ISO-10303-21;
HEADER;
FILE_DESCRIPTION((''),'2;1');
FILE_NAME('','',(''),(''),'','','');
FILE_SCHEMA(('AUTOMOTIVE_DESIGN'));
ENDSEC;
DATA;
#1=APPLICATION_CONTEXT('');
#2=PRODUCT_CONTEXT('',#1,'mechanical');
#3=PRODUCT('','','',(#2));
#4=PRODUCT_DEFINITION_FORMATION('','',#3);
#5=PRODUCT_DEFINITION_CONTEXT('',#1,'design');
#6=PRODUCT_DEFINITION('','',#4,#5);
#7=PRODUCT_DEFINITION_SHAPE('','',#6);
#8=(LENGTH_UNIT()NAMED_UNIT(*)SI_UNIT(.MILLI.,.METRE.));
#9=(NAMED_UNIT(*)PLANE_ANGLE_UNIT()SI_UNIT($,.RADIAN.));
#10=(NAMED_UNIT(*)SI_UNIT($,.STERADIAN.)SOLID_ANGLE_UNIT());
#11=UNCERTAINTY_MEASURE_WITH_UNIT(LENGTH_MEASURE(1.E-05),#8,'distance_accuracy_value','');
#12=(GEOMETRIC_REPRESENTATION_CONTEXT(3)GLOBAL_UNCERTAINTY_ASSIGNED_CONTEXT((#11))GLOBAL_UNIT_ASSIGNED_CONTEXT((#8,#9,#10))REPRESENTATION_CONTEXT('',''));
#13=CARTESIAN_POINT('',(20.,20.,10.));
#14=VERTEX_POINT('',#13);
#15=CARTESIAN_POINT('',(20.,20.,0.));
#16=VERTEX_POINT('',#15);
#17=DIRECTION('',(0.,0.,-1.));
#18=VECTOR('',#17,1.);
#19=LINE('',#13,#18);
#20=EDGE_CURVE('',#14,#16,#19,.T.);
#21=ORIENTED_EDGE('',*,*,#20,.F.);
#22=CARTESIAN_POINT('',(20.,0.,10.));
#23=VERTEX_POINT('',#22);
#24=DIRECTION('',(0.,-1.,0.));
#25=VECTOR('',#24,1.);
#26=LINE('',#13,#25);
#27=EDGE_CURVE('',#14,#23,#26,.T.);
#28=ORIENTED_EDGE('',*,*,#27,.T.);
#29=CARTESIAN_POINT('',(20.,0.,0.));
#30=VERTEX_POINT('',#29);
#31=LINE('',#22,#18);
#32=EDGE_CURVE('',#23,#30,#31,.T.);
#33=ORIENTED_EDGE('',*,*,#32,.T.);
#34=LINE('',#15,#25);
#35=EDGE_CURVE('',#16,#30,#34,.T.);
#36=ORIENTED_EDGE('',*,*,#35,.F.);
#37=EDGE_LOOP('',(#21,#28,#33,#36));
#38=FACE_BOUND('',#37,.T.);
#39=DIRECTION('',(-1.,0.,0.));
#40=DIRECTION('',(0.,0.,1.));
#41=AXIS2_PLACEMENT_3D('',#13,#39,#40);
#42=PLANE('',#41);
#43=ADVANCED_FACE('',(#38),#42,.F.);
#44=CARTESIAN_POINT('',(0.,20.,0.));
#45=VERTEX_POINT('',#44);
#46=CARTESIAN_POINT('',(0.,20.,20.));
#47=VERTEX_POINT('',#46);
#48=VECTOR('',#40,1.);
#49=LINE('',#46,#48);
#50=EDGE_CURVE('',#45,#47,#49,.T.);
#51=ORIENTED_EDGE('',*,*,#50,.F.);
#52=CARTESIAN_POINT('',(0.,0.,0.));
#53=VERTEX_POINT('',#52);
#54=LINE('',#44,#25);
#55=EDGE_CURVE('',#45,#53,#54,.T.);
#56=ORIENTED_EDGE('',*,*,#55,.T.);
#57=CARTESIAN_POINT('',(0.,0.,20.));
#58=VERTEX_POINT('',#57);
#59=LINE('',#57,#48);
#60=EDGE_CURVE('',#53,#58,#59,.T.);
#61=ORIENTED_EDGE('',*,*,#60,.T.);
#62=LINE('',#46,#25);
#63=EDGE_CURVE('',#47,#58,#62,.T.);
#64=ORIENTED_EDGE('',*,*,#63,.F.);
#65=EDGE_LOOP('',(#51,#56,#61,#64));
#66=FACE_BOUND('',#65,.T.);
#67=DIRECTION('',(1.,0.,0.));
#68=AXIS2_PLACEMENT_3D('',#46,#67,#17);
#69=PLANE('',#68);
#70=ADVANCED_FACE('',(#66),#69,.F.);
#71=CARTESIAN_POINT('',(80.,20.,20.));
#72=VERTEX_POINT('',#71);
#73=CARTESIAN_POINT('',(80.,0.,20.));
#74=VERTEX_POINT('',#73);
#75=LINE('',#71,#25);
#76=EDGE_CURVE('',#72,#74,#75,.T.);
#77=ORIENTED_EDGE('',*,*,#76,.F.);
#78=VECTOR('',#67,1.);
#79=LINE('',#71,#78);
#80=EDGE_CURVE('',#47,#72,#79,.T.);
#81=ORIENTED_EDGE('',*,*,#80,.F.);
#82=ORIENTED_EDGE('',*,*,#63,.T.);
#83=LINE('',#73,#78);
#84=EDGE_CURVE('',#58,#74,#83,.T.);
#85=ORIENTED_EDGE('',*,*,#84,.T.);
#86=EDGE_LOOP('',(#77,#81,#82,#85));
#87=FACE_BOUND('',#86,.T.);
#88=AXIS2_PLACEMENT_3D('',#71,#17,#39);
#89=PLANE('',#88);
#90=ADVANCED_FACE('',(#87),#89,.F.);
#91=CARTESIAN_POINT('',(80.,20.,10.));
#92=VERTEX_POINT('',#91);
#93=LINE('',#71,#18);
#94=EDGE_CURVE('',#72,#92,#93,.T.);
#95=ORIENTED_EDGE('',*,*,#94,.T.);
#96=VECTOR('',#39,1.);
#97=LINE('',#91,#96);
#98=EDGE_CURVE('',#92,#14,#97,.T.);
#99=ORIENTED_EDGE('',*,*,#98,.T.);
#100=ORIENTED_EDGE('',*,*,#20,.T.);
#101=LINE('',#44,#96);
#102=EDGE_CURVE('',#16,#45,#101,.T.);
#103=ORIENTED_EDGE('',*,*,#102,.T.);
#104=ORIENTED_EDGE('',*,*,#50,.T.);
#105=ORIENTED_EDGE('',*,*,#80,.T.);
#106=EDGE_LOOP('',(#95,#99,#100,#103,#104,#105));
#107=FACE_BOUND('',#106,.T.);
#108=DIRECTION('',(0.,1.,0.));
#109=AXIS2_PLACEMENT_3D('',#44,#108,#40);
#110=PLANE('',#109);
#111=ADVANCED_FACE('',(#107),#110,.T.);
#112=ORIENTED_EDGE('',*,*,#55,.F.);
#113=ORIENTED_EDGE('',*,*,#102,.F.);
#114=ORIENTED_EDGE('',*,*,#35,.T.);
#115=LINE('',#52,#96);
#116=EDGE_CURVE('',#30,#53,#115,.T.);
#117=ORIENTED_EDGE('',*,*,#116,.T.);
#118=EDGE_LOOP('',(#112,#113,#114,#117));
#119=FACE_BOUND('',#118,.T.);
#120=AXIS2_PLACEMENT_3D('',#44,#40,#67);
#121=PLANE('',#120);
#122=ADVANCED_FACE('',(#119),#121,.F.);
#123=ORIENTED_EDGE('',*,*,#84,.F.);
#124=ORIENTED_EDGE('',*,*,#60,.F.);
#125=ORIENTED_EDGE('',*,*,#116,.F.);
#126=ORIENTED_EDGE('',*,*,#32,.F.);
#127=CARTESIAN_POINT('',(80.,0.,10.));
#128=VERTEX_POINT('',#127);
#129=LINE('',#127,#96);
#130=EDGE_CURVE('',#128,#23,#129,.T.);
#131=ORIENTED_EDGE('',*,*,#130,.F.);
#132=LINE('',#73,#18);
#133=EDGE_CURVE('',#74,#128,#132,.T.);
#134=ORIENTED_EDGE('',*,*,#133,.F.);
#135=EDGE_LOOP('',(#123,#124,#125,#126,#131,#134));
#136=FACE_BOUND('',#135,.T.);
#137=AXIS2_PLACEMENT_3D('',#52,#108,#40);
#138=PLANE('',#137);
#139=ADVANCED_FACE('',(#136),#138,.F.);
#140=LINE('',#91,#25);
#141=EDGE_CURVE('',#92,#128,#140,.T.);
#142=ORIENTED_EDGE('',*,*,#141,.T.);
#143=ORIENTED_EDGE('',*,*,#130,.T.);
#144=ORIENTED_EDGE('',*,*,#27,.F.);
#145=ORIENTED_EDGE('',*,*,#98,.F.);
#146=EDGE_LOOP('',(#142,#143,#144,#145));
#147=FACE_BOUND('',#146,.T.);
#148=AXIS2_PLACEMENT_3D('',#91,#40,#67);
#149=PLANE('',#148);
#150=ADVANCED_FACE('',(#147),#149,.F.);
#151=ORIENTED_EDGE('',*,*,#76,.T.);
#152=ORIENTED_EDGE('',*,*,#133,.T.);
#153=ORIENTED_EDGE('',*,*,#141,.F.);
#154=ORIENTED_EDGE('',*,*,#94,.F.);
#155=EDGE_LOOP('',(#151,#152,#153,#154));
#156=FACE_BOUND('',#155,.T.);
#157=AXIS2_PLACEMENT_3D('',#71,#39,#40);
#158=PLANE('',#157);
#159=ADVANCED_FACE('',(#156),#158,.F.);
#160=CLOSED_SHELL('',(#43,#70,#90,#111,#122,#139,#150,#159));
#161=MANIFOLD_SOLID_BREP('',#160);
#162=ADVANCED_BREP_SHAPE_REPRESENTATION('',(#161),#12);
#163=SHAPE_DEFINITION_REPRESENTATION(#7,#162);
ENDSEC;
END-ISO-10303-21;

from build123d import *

# Parameters (mm, degrees)
BOSS_EXTRUDE1_DEPTH = 20


with BuildPart() as part:
    # Sketch2 → Boss-Extrude1 (new body)
    with BuildSketch(Plane(origin=(0, 0, 0), x_dir=(1, 0, 0), z_dir=(0, 1, 0))):
        Polygon((0, -20), (0, 0), (20, 0), (20, -10), (80, -10), (80, -20), align=None)
    extrude(amount=BOSS_EXTRUDE1_DEPTH)


solid = part.part
